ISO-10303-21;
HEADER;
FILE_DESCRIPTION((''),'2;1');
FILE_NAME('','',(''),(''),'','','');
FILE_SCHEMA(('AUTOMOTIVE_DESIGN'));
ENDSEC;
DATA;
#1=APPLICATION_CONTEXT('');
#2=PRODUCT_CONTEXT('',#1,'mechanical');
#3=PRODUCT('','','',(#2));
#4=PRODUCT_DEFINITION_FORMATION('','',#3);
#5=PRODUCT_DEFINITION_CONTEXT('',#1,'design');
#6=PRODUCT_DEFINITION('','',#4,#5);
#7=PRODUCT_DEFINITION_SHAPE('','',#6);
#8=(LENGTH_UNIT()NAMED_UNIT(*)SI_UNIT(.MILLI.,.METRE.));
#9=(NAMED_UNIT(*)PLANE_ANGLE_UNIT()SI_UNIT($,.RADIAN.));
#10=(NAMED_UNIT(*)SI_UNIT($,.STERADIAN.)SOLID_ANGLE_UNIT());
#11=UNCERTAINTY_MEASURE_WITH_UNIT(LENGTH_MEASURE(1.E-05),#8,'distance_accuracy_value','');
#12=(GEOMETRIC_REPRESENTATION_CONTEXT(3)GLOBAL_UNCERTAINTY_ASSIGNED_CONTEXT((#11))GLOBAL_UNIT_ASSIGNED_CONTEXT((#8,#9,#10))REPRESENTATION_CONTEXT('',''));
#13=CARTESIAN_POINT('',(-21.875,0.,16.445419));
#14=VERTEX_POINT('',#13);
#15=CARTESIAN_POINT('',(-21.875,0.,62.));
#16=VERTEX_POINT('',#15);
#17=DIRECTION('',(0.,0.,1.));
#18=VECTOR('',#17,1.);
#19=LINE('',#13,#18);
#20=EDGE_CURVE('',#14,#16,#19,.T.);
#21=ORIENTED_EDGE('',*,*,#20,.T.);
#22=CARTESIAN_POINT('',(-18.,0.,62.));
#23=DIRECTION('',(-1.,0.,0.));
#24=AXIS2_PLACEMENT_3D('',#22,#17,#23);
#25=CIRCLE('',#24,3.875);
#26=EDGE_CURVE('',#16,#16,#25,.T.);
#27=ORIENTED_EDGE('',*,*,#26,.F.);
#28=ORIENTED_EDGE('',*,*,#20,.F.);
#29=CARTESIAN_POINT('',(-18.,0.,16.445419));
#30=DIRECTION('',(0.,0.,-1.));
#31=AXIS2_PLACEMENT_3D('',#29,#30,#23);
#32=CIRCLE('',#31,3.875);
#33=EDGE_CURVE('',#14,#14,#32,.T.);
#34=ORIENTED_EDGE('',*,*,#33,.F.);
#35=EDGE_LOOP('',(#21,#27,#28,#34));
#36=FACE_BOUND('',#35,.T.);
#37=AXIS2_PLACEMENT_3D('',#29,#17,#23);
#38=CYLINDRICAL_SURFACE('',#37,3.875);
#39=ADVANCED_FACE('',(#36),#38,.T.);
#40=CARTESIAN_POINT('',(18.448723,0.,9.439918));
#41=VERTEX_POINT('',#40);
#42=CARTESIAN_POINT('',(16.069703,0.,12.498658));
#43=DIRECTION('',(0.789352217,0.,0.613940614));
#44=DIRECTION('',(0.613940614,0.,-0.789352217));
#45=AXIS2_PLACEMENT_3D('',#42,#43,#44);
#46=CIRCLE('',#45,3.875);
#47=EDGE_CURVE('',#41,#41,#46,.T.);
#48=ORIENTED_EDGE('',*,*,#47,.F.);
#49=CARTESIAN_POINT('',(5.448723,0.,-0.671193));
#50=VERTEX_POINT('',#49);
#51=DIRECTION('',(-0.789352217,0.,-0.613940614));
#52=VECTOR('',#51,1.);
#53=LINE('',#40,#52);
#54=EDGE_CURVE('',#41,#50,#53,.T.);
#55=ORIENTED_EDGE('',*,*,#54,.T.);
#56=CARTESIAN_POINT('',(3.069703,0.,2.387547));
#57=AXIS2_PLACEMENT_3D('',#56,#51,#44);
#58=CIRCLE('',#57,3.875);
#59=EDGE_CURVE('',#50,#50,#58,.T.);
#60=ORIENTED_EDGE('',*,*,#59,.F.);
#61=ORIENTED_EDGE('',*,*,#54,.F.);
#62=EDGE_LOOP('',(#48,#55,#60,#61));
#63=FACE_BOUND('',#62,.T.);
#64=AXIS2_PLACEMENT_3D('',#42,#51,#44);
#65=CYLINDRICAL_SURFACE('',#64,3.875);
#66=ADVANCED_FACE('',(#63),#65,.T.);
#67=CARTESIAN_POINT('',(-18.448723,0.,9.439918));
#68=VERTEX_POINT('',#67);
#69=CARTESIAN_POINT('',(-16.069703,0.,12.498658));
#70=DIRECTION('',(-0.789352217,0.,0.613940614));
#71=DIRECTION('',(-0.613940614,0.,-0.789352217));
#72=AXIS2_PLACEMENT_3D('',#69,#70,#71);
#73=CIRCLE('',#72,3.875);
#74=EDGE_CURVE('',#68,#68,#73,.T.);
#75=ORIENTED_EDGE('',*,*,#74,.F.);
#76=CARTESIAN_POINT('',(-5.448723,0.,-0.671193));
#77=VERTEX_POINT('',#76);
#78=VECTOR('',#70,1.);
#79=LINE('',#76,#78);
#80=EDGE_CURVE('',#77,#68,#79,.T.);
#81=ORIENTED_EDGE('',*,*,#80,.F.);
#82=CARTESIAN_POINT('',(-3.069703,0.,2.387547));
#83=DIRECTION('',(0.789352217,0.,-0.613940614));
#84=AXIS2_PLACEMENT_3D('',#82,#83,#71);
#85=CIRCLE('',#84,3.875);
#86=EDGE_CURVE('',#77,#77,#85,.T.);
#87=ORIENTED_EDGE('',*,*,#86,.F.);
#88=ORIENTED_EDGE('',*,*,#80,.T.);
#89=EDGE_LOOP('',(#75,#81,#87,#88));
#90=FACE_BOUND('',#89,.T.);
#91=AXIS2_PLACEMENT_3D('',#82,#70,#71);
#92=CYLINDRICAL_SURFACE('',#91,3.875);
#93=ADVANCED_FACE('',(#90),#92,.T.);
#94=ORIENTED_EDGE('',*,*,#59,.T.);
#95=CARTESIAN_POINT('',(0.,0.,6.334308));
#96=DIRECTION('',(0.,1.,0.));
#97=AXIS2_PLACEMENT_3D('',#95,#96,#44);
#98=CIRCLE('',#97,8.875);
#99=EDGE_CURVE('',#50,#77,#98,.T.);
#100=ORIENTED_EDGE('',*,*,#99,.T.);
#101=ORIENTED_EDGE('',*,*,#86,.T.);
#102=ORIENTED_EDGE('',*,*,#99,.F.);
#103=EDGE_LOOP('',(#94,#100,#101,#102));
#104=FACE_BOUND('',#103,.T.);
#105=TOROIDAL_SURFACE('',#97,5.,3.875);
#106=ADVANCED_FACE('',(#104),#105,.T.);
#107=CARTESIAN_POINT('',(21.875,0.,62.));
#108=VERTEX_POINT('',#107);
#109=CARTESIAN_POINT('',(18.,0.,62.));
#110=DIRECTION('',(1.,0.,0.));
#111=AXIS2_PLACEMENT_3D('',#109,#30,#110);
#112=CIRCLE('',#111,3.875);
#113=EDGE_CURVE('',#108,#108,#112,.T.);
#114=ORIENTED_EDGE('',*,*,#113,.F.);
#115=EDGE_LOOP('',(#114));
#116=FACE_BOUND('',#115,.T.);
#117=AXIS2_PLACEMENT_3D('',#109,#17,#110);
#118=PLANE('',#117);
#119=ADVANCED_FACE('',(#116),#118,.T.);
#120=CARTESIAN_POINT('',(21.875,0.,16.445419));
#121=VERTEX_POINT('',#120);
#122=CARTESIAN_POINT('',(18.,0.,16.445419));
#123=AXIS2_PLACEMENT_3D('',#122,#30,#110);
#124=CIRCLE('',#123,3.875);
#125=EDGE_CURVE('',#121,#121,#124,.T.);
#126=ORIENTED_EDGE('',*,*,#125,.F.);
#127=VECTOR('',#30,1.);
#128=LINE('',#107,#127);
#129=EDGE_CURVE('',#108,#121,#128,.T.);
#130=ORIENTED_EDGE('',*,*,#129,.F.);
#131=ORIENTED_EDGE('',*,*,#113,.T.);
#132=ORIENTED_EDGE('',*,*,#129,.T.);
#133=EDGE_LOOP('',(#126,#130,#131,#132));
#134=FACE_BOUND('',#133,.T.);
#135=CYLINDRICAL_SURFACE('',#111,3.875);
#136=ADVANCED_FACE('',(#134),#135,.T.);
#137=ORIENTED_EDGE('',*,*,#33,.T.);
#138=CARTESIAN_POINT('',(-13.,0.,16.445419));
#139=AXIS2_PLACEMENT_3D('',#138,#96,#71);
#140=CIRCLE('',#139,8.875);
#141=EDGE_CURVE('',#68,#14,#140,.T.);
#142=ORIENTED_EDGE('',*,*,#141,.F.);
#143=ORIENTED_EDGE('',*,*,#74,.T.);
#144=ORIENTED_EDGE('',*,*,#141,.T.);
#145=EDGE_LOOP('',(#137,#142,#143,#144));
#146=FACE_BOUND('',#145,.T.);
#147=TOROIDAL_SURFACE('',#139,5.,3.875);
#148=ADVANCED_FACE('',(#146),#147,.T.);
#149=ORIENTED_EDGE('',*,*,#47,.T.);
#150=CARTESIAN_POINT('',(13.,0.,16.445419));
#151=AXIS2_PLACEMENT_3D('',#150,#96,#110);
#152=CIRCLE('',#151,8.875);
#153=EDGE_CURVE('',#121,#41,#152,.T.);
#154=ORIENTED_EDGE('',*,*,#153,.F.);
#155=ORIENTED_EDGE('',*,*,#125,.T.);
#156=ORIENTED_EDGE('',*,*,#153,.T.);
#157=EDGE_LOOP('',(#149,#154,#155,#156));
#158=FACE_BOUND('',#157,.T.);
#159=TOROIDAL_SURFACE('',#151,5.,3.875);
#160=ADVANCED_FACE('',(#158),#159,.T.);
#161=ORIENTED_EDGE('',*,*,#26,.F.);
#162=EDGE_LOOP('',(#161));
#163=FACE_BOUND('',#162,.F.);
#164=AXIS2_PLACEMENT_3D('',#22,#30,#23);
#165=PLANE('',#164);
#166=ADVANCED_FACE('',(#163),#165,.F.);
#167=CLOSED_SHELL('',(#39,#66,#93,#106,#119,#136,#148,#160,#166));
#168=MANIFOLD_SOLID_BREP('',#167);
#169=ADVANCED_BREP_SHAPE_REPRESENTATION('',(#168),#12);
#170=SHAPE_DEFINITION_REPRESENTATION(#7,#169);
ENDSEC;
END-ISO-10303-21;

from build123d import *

# Parameters (mm, degrees)
F2_R = 3.875


with BuildPart() as f3:
    # F3: sweep along a path in F0
    with BuildLine(Plane.XZ) as f3_path:
        Line((18, 62), (18, 16.4454190283))
        ThreePointArc((18, 16.4454190283), (17.4915763011, 14.2486617975), (16.0697030676, 12.4986579414))
        Line((16.0697030676, 12.4986579414), (3.0697030676, 2.3875468303))
        ThreePointArc((3.0697030676, 2.3875468303), (0, 1.3343079172), (-3.0697030676, 2.3875468303))
        Line((-3.0697030676, 2.3875468303), (-16.0697030676, 12.4986579414))
        ThreePointArc((-16.0697030676, 12.4986579414), (-17.4915763011, 14.2486617975), (-18, 16.4454190283))
        Line((-18, 16.4454190283), (-18, 62))
    # F2 (on offset) → F3 (sweep)
    with BuildSketch(Plane.XY.offset(62)):
        with Locations((18, 0)):
            Circle(F2_R)
    sweep(path=f3_path.line)


solid = f3.part
